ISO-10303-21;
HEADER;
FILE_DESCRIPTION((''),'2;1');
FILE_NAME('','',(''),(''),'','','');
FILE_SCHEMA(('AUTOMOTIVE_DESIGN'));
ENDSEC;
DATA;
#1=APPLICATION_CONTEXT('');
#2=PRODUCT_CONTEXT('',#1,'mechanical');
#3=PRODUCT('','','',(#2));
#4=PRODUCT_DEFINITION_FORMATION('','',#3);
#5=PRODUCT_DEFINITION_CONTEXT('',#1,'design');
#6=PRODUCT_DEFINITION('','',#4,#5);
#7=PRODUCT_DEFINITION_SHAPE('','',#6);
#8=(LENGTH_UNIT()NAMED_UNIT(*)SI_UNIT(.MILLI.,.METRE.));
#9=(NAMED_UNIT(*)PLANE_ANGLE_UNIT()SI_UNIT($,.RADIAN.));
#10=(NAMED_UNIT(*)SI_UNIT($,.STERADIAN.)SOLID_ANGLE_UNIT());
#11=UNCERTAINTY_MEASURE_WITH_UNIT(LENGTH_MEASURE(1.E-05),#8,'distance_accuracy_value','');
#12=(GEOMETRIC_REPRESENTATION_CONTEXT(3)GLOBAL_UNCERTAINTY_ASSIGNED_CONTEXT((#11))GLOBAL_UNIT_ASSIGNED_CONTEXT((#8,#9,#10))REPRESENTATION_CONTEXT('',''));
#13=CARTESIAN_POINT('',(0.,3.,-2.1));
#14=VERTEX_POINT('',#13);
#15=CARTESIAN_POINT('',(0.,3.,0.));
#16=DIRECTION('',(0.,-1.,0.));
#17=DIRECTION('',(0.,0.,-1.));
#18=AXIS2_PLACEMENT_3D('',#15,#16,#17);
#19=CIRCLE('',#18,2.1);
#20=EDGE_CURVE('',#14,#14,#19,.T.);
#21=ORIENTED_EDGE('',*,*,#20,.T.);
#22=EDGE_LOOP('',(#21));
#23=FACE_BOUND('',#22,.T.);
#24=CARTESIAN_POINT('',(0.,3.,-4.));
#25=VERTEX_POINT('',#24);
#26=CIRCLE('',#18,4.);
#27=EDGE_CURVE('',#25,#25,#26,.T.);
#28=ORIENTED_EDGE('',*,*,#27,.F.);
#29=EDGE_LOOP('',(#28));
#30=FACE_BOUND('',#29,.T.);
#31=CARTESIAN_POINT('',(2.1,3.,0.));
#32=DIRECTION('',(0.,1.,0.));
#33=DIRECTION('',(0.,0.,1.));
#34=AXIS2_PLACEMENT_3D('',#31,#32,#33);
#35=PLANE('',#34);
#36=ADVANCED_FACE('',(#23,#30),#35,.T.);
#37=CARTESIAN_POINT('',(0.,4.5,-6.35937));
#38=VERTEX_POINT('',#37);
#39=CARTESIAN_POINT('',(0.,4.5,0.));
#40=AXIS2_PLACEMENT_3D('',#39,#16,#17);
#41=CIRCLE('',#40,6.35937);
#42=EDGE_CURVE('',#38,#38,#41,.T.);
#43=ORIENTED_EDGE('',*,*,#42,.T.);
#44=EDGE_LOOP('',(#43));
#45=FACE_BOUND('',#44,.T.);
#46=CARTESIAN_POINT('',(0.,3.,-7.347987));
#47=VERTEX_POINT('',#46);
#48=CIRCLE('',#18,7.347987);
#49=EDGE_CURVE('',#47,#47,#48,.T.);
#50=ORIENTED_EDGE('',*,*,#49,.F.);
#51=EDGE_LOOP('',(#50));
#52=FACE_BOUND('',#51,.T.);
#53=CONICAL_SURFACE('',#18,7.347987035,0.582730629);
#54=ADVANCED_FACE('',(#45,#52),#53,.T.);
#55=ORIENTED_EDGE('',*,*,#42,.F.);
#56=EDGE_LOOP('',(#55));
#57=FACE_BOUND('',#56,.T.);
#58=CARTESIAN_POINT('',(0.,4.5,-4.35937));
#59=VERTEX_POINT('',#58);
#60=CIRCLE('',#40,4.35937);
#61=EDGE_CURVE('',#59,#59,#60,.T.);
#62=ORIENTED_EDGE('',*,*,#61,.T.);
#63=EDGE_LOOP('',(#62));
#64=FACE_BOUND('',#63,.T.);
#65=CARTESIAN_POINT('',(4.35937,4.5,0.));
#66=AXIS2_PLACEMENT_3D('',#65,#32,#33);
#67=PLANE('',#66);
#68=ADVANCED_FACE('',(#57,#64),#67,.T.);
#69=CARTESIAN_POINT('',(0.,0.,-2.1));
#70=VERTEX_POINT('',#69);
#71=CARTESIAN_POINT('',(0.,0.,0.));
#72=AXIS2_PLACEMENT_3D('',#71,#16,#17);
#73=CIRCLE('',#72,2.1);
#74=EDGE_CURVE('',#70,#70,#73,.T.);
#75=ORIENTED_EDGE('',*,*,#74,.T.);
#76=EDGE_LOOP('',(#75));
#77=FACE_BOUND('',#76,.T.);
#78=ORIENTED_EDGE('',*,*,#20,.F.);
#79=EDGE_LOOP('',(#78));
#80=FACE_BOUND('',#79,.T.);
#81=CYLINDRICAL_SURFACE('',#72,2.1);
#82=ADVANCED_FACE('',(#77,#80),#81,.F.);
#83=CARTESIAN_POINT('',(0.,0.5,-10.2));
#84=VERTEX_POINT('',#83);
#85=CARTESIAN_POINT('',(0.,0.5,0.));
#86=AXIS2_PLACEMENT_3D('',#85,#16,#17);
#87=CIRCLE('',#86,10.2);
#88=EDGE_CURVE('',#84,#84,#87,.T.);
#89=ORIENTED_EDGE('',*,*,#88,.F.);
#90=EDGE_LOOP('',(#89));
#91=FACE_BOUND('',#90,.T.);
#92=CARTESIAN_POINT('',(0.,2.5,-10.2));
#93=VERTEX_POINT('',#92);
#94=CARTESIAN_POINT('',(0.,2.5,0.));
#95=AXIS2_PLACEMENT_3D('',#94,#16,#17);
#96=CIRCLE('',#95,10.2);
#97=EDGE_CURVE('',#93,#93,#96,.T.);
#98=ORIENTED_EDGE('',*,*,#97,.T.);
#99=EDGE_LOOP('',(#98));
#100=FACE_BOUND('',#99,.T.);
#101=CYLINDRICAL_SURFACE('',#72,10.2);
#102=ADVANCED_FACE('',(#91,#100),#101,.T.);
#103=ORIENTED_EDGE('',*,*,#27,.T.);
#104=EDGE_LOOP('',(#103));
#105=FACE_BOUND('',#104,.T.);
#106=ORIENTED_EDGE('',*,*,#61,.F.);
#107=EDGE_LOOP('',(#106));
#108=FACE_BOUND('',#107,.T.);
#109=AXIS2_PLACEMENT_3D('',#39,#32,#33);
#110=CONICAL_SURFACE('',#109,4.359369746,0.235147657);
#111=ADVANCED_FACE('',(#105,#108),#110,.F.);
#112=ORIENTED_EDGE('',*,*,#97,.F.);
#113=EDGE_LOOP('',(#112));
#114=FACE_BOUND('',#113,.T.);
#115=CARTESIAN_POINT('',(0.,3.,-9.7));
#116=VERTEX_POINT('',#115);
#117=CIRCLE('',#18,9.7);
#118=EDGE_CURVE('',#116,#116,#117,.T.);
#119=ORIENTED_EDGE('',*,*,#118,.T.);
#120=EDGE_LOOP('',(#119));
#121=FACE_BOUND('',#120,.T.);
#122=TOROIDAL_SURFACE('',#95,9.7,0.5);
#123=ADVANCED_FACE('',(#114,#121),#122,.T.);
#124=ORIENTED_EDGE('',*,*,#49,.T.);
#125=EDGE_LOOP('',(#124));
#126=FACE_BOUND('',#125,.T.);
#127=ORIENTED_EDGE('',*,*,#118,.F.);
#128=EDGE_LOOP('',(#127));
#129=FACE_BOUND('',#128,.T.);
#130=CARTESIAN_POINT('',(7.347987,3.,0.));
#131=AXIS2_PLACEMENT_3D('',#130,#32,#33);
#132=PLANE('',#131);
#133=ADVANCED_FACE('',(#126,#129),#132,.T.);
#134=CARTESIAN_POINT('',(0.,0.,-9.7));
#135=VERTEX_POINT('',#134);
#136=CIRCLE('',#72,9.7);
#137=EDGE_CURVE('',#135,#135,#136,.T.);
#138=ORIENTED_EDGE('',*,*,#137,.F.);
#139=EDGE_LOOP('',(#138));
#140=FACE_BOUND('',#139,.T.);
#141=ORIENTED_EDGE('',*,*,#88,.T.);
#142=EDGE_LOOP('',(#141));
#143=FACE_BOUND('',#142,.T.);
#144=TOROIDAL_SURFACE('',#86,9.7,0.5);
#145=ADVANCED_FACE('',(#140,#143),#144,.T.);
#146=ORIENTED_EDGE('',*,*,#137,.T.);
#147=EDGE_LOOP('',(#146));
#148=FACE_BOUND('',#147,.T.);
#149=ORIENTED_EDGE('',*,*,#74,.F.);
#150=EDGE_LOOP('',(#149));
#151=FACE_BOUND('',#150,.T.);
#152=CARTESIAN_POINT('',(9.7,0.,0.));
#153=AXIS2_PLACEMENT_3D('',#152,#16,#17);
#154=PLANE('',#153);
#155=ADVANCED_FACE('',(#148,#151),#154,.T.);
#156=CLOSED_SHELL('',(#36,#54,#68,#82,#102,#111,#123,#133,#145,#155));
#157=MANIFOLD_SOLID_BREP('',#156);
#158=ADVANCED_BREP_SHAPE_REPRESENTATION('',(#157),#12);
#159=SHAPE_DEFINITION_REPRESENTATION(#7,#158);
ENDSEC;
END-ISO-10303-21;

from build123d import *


with BuildPart() as part:
    # Sketch1 → Revolve1 (revolve)
    with BuildSketch(Plane.XY, mode=Mode.PRIVATE) as revolve1_sk:
        with BuildLine():
            Line((2.1, 0), (2.1, 3))
            Line((2.1, 3), (4, 3))
            Line((4, 3), (4.359369746, 4.5))
            Line((4.359369746, 4.5), (6.359369746, 4.5))
            Line((6.359369746, 4.5), (7.347987035, 3))
            Line((7.347987035, 3), (9.7, 3))
            ThreePointArc((9.7, 3), (10.053553391, 2.853553391), (10.2, 2.5))
            Line((10.2, 2.5), (10.2, 0.5))
            ThreePointArc((10.2, 0.5), (10.053553391, 0.146446609), (9.7, 0))
            Line((9.7, 0), (2.1, 0))
        make_face()
    revolve(revolve1_sk.sketch.rotate(Axis((0, 0, 0), (0, 1, 0)), 90), axis=Axis((0, 0, 0), (0, 1, 0)))


solid = part.part
